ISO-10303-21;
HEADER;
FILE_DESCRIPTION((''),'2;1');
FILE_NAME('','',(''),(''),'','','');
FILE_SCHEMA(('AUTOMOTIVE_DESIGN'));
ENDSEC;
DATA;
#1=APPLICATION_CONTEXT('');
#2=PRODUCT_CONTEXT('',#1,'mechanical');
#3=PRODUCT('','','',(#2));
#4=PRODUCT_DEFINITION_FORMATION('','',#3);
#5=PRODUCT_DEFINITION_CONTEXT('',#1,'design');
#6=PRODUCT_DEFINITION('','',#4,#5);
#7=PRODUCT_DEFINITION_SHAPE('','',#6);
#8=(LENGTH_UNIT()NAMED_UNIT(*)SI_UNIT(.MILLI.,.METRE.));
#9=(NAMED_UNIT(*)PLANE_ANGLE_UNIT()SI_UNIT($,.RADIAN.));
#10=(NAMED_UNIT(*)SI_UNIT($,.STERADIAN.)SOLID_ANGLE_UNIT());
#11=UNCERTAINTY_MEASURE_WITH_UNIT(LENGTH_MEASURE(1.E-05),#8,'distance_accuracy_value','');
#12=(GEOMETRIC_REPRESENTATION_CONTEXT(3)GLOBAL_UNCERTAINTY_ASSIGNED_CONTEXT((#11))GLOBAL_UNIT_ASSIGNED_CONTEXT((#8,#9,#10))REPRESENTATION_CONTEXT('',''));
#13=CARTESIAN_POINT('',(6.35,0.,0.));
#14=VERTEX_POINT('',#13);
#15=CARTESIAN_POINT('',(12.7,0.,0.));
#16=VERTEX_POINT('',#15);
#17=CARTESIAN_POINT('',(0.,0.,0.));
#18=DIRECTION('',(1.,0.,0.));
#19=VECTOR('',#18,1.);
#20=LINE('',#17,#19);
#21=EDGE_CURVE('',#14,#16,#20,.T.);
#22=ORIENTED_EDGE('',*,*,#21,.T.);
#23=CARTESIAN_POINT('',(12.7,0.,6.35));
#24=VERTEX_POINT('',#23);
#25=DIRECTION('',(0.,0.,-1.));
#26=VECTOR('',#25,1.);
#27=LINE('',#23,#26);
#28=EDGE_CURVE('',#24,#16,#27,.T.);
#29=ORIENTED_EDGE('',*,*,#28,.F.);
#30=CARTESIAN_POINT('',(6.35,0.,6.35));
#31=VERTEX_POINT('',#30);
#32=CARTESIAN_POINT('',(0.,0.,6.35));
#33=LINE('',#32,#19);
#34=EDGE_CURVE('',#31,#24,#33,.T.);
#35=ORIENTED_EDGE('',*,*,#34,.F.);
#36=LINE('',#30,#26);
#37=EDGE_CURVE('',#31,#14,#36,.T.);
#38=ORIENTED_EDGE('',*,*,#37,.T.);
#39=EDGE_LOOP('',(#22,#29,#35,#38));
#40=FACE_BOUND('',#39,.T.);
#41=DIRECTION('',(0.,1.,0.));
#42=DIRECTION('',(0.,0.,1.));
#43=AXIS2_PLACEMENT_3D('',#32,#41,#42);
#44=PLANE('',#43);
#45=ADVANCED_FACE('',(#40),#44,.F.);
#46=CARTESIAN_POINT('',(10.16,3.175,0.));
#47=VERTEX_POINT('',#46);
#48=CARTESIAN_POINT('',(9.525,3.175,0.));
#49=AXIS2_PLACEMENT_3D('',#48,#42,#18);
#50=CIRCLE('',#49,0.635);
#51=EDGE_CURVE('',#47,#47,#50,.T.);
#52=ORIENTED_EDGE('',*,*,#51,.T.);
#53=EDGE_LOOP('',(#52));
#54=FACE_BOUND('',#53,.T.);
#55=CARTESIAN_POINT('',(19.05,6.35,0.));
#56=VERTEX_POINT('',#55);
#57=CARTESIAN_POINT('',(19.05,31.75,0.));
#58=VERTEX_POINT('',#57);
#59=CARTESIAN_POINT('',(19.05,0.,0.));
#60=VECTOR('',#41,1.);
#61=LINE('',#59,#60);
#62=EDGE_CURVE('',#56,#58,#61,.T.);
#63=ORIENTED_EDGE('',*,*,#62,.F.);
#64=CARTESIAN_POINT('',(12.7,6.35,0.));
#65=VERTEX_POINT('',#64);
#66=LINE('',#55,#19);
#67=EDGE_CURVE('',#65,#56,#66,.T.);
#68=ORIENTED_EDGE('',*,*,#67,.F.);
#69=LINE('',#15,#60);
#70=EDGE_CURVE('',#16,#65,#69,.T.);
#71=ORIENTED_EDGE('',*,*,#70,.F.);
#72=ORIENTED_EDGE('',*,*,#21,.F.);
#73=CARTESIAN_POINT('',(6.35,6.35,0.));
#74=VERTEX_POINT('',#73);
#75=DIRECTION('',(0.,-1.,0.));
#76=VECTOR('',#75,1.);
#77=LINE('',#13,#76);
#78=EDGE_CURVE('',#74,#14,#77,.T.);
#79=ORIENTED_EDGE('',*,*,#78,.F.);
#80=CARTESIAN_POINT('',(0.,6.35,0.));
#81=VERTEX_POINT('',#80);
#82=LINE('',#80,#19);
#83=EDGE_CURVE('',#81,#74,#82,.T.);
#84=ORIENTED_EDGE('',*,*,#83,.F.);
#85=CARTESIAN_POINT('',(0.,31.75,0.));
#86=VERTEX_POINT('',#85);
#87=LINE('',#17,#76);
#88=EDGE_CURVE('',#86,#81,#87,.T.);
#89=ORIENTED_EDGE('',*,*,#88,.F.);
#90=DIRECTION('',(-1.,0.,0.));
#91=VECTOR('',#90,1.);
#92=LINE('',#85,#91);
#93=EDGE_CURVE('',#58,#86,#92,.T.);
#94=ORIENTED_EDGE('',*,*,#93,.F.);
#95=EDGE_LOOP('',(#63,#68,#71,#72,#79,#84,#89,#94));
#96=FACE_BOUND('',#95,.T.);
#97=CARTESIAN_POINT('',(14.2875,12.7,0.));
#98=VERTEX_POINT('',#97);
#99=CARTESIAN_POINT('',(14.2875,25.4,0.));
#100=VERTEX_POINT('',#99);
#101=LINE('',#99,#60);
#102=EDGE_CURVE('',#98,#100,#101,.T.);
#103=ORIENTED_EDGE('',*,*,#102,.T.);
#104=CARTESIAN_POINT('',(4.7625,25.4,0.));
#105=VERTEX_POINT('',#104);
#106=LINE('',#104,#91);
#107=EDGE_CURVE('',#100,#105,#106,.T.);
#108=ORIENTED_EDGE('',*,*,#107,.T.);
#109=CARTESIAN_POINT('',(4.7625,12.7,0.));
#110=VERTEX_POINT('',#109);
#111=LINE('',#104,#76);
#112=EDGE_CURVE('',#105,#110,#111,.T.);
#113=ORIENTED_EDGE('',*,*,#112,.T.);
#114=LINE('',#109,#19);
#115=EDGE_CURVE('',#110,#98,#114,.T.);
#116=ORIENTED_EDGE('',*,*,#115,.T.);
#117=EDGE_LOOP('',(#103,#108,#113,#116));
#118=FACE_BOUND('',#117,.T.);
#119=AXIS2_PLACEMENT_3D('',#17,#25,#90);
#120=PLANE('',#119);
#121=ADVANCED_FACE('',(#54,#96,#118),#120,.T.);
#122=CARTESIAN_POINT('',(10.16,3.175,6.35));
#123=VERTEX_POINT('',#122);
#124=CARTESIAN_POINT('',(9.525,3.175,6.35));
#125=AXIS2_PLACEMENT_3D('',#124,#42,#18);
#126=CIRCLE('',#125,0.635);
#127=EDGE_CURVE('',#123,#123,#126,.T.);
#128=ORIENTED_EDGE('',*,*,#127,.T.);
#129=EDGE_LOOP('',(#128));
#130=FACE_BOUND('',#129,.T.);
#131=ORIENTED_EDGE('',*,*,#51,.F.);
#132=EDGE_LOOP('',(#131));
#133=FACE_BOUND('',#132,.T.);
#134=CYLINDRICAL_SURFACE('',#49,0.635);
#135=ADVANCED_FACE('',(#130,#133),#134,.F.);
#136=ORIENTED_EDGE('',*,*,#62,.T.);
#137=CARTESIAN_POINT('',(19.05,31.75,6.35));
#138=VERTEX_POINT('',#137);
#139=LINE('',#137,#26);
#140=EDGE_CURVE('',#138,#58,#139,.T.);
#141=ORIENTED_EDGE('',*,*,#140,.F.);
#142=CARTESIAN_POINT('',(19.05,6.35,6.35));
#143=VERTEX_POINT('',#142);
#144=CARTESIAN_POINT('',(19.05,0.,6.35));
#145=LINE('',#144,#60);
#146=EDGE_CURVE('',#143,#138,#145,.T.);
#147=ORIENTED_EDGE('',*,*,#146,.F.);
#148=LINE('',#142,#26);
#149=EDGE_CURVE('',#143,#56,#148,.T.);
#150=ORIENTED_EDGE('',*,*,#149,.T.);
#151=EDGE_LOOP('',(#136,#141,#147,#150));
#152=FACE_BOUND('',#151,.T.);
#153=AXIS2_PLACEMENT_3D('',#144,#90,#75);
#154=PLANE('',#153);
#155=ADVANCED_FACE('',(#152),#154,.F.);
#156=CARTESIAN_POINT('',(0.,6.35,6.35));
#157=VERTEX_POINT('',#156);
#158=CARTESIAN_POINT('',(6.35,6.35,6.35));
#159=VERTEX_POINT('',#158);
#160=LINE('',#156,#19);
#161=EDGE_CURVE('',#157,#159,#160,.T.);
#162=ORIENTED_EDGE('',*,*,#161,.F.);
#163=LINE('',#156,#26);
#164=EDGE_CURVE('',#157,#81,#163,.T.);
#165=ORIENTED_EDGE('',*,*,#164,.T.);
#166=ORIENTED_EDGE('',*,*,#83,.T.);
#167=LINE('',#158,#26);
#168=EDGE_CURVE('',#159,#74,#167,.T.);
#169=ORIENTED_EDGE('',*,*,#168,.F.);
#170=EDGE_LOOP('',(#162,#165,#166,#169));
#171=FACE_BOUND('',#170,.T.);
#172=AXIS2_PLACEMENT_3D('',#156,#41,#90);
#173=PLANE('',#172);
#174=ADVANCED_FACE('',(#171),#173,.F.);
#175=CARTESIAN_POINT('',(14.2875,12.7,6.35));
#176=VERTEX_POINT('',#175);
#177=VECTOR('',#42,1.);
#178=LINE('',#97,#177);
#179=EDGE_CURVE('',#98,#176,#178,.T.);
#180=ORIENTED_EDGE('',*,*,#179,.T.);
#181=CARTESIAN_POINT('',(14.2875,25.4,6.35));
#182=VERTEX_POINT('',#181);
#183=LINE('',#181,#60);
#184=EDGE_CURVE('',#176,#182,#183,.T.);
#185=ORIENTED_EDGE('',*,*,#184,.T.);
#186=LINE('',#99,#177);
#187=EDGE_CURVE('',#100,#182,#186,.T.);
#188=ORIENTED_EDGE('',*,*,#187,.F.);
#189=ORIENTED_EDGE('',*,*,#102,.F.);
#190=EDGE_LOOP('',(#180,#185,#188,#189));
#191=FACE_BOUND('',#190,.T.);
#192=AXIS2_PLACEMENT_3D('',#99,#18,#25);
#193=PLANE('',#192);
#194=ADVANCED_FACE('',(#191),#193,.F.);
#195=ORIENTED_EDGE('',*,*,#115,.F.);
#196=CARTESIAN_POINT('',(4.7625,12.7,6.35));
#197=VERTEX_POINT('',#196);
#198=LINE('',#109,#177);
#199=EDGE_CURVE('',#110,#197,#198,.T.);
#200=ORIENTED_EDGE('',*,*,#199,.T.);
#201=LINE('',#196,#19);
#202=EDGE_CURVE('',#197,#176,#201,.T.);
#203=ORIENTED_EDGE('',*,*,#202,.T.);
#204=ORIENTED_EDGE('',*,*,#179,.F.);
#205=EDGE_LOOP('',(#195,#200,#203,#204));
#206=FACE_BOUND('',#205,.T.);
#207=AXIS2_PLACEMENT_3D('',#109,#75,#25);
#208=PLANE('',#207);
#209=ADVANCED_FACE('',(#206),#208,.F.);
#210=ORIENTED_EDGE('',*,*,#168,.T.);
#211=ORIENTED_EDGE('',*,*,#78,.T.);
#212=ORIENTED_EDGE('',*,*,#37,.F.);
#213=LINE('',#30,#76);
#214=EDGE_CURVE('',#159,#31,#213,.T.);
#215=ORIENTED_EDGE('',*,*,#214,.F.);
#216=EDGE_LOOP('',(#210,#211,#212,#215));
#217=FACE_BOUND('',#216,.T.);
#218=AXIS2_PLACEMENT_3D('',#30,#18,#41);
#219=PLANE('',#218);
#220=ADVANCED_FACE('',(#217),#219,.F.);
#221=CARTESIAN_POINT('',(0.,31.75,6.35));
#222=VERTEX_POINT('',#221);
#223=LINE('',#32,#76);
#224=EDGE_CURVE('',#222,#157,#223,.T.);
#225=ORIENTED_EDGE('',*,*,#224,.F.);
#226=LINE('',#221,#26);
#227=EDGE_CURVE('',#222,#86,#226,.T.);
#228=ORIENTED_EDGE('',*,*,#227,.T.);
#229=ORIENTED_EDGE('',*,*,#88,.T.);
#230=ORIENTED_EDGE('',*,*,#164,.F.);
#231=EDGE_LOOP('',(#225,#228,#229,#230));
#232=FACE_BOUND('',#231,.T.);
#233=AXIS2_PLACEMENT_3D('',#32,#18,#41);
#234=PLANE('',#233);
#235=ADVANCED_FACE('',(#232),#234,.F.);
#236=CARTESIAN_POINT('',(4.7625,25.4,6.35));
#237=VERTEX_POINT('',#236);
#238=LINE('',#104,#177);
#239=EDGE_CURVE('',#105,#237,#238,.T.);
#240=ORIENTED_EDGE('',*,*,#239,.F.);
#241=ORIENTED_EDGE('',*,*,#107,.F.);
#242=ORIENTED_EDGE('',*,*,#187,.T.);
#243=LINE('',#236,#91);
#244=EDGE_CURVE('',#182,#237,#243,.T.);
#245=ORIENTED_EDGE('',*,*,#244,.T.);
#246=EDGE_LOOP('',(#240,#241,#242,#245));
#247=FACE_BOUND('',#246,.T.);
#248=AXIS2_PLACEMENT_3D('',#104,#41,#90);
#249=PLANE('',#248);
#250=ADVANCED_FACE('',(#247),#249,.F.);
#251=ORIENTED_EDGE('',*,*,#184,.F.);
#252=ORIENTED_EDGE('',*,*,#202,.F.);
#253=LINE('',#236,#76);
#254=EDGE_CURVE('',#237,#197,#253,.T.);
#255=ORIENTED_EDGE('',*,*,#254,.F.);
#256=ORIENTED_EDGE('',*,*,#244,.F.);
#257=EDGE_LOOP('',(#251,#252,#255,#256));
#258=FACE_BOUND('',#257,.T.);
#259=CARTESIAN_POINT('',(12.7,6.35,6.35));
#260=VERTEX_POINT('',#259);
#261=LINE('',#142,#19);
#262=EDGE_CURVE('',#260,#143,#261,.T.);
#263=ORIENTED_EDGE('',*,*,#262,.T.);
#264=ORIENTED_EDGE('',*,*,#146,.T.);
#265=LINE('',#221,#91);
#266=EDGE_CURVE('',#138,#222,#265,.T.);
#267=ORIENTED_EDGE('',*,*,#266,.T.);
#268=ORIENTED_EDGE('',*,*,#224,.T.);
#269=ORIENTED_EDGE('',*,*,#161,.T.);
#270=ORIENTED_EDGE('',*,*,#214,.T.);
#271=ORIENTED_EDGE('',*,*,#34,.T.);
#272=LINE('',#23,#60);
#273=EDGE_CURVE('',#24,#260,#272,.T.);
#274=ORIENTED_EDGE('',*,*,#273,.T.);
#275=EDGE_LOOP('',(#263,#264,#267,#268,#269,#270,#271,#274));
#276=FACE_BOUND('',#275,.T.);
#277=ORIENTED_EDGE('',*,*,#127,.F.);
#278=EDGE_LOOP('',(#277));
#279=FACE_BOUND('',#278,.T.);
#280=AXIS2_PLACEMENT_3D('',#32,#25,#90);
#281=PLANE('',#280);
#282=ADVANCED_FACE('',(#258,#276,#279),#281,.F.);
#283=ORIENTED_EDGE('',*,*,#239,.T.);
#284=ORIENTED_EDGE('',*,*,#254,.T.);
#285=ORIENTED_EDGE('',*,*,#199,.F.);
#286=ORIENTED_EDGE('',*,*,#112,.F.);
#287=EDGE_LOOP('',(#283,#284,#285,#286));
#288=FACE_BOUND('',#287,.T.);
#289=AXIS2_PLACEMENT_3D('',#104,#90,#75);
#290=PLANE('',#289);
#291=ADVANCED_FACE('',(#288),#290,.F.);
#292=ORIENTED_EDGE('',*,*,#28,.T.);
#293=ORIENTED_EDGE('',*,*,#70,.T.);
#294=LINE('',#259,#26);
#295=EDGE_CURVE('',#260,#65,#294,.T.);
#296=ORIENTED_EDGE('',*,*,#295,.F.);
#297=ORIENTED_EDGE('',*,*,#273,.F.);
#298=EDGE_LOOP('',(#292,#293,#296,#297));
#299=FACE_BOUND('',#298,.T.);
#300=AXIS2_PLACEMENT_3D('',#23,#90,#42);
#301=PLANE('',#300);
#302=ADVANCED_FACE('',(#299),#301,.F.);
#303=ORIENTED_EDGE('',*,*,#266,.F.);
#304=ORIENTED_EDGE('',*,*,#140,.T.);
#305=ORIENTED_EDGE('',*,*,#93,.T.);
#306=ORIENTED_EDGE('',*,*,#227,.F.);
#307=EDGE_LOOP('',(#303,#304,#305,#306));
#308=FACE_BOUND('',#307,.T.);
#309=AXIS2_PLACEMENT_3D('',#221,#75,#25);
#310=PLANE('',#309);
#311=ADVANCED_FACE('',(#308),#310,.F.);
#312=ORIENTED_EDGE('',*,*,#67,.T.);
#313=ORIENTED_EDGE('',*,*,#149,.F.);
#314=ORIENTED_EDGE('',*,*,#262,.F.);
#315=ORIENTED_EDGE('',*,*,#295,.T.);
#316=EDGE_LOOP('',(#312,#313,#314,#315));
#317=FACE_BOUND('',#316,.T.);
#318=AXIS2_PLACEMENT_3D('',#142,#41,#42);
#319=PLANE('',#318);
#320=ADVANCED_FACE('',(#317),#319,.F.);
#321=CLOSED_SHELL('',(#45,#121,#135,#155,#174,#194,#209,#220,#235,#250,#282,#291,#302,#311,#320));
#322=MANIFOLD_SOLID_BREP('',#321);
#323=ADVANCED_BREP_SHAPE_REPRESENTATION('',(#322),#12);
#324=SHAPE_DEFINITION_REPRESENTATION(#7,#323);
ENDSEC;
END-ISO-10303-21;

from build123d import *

# Parameters (mm, degrees)
SKETCH1_W           = 19.05
SKETCH1_H           = 31.75
BOSS_EXTRUDE1_DEPTH = 6.35
SKETCH2_W           = 9.525
SKETCH2_H           = 12.7
CUT_EXTRUDE1_DEPTH  = 6.35
SKETCH3_W           = 6.35
SKETCH3_H           = 6.35
CUT_EXTRUDE2_DEPTH  = 7.35
SKETCH4_R           = 0.635
CUT_EXTRUDE3_DEPTH  = 7.35


with BuildPart() as part:
    # Sketch1 → Boss-Extrude1 (new body)
    with BuildSketch(Plane.XY):
        with Locations((9.525, 15.875)):
            Rectangle(SKETCH1_W, SKETCH1_H)
    extrude(amount=BOSS_EXTRUDE1_DEPTH)

    # Sketch2 → Cut-Extrude1 (cut)
    with BuildSketch(Plane.XY.offset(6.35)):
        with Locations((9.525, 19.05)):
            Rectangle(SKETCH2_W, SKETCH2_H)
    extrude(amount=-CUT_EXTRUDE1_DEPTH, mode=Mode.SUBTRACT)

    # Sketch3 → Cut-Extrude2 (cut, through all)
    with BuildSketch(Plane(origin=(0, 0, 0), x_dir=(-1, 0, 0), z_dir=(0, 0, -1))):
        with Locations((-15.875, 3.175)):
            Rectangle(SKETCH3_W, SKETCH3_H)
        with Locations((-3.175, 3.175)):
            Rectangle(SKETCH3_W, SKETCH3_H)
    extrude(amount=-CUT_EXTRUDE2_DEPTH, mode=Mode.SUBTRACT)

    # Sketch4 → Cut-Extrude3 (cut, through all)
    with BuildSketch(Plane.XY.offset(6.35)):
        with Locations((9.525, 3.175)):
            Circle(SKETCH4_R)
    extrude(amount=-CUT_EXTRUDE3_DEPTH, mode=Mode.SUBTRACT)


solid = part.part
